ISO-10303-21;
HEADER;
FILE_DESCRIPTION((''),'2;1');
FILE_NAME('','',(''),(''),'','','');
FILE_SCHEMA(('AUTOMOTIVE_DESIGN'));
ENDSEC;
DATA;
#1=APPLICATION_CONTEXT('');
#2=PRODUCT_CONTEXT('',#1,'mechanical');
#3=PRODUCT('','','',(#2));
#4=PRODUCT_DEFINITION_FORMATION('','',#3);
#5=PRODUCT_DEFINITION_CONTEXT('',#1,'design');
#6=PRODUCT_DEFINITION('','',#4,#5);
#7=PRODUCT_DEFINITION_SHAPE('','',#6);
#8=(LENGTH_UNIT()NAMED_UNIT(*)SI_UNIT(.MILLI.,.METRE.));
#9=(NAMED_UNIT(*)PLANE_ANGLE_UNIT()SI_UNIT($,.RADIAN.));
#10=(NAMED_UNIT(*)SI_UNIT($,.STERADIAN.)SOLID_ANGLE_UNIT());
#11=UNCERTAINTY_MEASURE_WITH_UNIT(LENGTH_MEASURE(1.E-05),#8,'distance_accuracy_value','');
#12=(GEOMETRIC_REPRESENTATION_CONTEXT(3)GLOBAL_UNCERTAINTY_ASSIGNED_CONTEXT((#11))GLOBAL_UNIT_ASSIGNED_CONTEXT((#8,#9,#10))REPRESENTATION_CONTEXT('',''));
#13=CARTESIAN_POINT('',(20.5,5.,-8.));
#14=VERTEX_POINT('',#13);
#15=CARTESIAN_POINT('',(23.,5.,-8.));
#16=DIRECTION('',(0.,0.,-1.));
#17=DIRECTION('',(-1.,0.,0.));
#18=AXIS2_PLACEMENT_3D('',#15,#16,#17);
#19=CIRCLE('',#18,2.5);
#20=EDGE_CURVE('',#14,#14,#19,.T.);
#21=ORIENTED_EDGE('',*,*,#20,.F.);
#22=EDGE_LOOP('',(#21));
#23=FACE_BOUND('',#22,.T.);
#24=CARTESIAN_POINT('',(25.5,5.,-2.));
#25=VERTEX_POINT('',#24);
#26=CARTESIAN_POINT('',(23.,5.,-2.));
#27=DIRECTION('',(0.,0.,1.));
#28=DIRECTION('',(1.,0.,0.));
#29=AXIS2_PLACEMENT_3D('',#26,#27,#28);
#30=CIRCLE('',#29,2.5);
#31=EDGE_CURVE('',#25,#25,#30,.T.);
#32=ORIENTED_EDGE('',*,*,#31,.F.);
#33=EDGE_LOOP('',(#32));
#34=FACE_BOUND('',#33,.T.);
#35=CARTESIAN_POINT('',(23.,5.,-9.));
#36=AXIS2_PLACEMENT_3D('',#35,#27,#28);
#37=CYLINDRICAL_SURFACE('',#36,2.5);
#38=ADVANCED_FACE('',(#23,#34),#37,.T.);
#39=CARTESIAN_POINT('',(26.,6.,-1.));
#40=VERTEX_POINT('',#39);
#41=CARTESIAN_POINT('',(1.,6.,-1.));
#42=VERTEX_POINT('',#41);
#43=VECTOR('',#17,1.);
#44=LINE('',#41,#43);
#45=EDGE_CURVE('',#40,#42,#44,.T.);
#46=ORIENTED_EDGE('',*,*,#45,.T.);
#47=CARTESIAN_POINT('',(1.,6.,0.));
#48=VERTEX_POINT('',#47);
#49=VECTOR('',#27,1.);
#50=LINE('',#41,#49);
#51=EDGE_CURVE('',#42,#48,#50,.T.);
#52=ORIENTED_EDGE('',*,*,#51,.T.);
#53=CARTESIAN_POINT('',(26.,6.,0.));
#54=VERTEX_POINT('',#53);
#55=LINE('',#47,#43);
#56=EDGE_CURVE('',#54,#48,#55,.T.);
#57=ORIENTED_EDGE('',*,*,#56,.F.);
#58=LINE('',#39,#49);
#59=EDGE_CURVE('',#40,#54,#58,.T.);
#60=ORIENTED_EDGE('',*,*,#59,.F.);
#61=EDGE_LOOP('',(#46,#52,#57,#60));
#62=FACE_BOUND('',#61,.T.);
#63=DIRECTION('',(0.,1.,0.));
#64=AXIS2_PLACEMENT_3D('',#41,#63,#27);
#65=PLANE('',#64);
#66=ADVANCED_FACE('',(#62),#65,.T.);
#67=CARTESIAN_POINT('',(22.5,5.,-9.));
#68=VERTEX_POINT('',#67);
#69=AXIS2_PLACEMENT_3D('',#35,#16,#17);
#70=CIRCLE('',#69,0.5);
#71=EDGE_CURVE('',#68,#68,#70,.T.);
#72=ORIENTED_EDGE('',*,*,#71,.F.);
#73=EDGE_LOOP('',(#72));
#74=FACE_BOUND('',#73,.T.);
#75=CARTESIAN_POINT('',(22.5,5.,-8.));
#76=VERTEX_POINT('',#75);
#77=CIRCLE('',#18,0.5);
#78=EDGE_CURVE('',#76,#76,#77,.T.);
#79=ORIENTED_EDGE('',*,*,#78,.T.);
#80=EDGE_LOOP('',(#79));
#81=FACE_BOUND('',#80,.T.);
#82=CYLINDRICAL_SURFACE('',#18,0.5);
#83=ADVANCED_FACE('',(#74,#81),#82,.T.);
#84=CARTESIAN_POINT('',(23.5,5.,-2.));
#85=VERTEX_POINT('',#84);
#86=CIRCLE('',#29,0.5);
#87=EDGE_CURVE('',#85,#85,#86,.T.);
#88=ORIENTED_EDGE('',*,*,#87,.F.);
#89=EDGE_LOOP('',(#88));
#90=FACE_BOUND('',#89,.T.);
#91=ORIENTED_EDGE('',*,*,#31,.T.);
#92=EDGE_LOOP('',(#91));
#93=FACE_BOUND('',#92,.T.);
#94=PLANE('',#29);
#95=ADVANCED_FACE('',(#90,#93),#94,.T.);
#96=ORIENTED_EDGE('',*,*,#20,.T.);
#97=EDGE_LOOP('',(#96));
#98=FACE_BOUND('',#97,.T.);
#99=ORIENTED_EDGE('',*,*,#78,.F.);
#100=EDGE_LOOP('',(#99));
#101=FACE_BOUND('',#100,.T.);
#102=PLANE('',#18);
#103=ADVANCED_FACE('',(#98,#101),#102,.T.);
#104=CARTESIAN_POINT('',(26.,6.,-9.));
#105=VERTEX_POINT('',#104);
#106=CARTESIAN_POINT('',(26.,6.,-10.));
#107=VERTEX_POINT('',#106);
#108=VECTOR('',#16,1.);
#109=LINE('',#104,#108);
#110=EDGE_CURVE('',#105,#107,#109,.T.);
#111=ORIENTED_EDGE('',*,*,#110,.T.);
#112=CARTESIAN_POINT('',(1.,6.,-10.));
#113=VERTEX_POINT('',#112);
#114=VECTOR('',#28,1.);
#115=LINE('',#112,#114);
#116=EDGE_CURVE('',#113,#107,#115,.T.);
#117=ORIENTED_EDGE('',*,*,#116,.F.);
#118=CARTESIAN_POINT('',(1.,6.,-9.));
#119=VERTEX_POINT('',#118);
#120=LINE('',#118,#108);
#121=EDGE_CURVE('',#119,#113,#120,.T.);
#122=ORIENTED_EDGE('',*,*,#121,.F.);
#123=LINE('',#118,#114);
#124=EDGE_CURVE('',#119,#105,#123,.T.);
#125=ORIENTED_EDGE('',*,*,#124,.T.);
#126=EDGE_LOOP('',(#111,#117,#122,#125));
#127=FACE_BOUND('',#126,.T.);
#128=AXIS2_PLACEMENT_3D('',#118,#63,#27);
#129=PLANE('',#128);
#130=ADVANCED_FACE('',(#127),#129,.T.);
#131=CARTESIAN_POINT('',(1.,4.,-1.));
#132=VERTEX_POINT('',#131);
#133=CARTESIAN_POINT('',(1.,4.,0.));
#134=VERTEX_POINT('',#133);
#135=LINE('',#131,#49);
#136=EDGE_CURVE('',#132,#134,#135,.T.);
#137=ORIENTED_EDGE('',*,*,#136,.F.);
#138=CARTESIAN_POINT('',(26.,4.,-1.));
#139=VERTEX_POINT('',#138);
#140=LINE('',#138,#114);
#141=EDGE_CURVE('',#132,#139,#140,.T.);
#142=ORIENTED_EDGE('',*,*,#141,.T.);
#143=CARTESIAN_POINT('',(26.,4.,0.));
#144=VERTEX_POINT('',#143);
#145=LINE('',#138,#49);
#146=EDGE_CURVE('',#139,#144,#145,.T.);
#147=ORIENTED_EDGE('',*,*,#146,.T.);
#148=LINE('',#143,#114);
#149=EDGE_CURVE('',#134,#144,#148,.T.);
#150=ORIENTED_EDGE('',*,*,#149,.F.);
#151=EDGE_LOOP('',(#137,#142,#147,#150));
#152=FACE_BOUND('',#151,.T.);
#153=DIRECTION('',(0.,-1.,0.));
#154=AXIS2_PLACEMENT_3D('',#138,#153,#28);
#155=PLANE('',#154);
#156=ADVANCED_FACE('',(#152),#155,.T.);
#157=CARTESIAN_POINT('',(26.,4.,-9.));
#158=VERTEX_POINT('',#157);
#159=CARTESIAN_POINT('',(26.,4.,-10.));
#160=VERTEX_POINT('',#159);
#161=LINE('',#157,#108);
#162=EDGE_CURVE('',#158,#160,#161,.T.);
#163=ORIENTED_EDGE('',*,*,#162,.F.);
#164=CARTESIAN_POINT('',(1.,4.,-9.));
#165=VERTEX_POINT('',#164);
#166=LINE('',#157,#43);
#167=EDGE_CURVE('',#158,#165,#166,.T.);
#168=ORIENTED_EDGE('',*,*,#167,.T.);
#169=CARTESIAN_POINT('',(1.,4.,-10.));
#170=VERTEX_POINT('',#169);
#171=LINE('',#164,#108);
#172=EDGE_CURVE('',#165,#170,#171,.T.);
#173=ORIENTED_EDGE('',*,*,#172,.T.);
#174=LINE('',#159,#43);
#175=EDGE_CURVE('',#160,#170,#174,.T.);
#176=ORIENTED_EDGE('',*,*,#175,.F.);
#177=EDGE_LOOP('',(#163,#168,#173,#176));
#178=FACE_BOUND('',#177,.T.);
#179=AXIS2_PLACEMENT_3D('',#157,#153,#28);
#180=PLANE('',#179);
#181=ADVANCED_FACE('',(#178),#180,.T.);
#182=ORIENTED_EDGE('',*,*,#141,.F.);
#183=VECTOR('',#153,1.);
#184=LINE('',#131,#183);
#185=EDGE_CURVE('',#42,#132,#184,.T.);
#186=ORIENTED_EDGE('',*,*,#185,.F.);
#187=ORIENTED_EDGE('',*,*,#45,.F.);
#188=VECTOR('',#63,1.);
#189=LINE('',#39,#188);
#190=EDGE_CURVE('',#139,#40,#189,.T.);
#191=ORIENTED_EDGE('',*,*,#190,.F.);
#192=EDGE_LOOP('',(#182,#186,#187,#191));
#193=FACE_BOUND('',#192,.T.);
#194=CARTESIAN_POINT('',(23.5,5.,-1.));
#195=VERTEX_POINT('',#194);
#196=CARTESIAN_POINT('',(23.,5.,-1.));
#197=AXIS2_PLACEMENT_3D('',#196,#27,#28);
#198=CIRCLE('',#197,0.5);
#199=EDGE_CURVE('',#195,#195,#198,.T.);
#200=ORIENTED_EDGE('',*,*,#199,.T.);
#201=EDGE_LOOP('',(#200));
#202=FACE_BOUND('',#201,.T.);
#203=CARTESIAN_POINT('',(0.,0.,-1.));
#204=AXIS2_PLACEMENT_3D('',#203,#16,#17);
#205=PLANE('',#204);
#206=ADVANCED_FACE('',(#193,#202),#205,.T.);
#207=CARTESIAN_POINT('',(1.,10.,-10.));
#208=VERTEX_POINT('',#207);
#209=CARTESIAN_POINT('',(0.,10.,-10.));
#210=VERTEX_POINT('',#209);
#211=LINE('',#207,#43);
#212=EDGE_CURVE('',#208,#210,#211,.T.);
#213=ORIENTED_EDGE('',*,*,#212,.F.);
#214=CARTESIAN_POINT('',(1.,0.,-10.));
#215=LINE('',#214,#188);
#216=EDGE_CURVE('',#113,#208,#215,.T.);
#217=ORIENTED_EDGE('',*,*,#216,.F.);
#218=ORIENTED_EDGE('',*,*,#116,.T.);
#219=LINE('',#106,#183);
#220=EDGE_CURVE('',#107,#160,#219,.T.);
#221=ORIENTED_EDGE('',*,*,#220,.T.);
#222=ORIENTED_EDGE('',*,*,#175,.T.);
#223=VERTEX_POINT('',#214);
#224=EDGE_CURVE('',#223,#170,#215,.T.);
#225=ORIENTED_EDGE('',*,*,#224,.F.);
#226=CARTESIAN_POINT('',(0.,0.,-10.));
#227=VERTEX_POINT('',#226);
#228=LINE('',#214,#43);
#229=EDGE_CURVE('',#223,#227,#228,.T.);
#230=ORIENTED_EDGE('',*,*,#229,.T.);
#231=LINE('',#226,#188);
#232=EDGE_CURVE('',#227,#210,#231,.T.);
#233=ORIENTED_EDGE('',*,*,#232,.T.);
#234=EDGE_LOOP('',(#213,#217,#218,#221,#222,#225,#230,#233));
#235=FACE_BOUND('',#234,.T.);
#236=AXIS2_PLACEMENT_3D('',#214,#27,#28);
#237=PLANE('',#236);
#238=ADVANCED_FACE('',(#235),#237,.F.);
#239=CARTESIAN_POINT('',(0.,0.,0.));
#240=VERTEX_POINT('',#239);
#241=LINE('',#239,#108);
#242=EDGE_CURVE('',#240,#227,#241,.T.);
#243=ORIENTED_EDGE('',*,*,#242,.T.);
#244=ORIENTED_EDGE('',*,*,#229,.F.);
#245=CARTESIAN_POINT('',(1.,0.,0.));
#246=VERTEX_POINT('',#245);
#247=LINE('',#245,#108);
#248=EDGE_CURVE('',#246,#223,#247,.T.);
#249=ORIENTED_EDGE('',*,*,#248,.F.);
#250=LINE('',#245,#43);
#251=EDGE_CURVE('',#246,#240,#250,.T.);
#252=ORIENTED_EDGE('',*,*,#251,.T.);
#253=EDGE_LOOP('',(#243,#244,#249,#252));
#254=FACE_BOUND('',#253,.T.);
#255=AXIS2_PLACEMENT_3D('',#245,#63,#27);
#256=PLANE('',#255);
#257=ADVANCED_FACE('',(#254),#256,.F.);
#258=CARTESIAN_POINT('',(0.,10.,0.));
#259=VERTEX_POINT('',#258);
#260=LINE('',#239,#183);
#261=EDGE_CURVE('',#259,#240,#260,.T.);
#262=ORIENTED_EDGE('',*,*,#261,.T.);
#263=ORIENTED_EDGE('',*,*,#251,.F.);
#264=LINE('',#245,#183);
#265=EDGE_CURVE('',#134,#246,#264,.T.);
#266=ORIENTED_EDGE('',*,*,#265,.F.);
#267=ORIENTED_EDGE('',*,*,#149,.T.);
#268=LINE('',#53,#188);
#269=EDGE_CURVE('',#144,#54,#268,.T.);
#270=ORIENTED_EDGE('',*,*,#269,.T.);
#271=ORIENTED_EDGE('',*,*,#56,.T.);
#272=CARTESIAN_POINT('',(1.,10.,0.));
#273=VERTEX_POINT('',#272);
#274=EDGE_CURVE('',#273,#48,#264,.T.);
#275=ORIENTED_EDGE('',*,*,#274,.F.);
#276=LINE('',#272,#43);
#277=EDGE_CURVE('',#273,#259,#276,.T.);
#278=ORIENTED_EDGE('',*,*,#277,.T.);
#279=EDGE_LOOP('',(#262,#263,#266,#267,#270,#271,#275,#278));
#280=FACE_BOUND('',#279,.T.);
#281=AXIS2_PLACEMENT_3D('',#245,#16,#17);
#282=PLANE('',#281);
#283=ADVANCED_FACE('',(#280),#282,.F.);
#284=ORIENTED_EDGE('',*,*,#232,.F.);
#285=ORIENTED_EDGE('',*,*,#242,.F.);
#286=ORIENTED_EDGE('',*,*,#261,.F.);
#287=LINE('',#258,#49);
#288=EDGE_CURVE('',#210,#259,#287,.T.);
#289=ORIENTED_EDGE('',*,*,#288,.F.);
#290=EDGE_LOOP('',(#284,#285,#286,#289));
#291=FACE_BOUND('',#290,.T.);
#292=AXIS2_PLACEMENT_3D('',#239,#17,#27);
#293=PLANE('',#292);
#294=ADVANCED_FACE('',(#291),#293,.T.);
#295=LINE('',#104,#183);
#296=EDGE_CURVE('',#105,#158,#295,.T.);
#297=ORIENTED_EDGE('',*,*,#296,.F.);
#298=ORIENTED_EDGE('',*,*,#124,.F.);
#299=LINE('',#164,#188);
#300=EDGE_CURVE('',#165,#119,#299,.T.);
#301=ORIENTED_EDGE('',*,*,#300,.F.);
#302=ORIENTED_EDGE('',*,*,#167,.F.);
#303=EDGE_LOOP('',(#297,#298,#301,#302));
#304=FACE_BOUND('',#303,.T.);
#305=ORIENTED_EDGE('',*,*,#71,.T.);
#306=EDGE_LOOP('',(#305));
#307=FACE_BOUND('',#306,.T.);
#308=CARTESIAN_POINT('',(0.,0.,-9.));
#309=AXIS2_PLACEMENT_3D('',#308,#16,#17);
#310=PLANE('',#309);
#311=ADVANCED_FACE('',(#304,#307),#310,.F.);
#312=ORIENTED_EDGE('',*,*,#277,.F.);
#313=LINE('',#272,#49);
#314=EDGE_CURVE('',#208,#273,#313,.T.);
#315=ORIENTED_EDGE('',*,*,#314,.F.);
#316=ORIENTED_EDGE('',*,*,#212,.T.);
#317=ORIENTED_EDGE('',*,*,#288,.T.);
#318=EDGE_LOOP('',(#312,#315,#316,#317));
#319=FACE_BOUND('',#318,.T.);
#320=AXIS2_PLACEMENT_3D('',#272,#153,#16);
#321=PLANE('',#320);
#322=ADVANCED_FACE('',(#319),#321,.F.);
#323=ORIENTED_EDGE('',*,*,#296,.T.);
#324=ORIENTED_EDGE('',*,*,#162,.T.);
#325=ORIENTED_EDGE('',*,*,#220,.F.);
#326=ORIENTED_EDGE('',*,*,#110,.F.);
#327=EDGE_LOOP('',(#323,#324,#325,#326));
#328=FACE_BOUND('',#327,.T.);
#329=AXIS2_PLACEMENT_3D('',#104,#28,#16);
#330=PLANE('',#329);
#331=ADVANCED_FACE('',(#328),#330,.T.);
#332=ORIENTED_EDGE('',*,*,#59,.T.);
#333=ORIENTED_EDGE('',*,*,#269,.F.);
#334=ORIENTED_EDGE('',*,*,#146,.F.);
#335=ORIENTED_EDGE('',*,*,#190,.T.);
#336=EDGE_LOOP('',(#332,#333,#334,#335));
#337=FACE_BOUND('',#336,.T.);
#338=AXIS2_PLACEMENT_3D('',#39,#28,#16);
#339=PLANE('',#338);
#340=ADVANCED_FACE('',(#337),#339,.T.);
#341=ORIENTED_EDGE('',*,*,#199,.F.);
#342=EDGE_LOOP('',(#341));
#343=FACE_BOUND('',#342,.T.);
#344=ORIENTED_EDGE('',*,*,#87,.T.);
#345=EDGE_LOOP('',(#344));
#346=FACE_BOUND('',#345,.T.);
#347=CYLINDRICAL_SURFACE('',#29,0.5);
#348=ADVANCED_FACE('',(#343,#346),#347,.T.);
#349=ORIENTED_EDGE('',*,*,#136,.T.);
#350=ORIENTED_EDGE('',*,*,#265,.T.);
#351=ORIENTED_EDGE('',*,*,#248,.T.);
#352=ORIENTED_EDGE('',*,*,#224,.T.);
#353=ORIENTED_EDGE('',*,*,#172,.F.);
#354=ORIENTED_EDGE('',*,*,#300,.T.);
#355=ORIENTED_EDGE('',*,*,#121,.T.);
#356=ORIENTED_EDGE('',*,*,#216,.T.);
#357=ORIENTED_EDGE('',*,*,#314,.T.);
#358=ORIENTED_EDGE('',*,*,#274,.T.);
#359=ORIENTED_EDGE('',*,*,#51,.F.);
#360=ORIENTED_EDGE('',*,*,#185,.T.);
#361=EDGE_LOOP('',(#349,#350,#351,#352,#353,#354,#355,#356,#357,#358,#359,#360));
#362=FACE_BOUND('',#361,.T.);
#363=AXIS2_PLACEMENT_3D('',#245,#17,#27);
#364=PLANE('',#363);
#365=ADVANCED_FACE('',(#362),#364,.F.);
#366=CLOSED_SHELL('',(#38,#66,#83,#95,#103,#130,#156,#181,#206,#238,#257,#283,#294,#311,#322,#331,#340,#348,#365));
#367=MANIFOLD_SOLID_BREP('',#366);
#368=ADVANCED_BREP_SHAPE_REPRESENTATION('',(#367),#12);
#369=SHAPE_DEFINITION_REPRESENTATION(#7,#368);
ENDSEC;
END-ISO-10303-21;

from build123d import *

# Parameters (mm, degrees)
SKETCH_1_W          = 10
SKETCH_1_H          = 10
EXTRUDE_1_DEPTH     = 1
SKETCH_2_W          = 25
SKETCH_2_H          = 2
EXTRUDE_2_DEPTH     = 1
SKETCH_3_W          = 25
SKETCH_3_H          = 2
EXTRUDE_3_DEPTH     = 1
SKETCH_4_R          = 2.5
EXTRUDE_4_DEPTH     = 8
SKETCH_5_R          = 2.5
SKETCH_5_R_2        = 0.5
CUT_EXTRUDE_3_DEPTH = 1
CUT_EXTRUDE_START   = -1
SKETCH_6_R          = 2.5
SKETCH_6_R_2        = 0.5
CUT_EXTRUDE_4_DEPTH = 1


with BuildPart() as part:
    # 草图1 → 凸台-拉伸1 (new body)
    with BuildSketch(Plane(origin=(0, 0, 0), x_dir=(0, 0, -1), z_dir=(1, 0, 0))):
        with Locations((5, 5)):
            Rectangle(SKETCH_1_W, SKETCH_1_H)
    extrude(amount=EXTRUDE_1_DEPTH)

    # 草图2 → 凸台-拉伸2 (add)
    with BuildSketch(Plane.XY):
        with Locations((13.5, 5)):
            Rectangle(SKETCH_2_W, SKETCH_2_H)
    extrude(amount=-EXTRUDE_2_DEPTH)

    # 草图3 → 凸台-拉伸3 (add)
    with BuildSketch(Plane(origin=(0, 0, -10), x_dir=(-1, 0, 0), z_dir=(0, 0, -1))):
        with Locations((-13.5, 5)):
            Rectangle(SKETCH_3_W, SKETCH_3_H)
    extrude(amount=-EXTRUDE_3_DEPTH)

    # 草图4 → 凸台-拉伸4 (add)
    with BuildSketch(Plane(origin=(0, 0, -1), x_dir=(-1, 0, 0), z_dir=(0, 0, -1))):
        with Locations(Location((-23, 5, 0), (0, 0, 203.578178478))):
            Circle(SKETCH_4_R)
    extrude(amount=EXTRUDE_4_DEPTH)

    # 草图5 → 切除-拉伸3 (cut)
    with BuildSketch(Plane.XY.offset(-1)):
        with Locations((23, 5)):
            Circle(SKETCH_5_R)
        with Locations((23, 5)):
            Circle(SKETCH_5_R_2, mode=Mode.SUBTRACT)
    extrude(amount=-CUT_EXTRUDE_3_DEPTH, mode=Mode.SUBTRACT)

    # 草图6 → 切除-拉伸4 (cut)
    with BuildSketch(Plane(origin=(0, 0, -9), x_dir=(-1, 0, 0), z_dir=(0, 0, -1)).offset(CUT_EXTRUDE_START)):
        with Locations(Location((-23, 5, 0), (0, 0, 180))):
            Circle(SKETCH_6_R)
        with Locations(Location((-23, 5, 0), (0, 0, 180))):
            Circle(SKETCH_6_R_2, mode=Mode.SUBTRACT)
    extrude(amount=CUT_EXTRUDE_4_DEPTH, mode=Mode.SUBTRACT)


solid = part.part
